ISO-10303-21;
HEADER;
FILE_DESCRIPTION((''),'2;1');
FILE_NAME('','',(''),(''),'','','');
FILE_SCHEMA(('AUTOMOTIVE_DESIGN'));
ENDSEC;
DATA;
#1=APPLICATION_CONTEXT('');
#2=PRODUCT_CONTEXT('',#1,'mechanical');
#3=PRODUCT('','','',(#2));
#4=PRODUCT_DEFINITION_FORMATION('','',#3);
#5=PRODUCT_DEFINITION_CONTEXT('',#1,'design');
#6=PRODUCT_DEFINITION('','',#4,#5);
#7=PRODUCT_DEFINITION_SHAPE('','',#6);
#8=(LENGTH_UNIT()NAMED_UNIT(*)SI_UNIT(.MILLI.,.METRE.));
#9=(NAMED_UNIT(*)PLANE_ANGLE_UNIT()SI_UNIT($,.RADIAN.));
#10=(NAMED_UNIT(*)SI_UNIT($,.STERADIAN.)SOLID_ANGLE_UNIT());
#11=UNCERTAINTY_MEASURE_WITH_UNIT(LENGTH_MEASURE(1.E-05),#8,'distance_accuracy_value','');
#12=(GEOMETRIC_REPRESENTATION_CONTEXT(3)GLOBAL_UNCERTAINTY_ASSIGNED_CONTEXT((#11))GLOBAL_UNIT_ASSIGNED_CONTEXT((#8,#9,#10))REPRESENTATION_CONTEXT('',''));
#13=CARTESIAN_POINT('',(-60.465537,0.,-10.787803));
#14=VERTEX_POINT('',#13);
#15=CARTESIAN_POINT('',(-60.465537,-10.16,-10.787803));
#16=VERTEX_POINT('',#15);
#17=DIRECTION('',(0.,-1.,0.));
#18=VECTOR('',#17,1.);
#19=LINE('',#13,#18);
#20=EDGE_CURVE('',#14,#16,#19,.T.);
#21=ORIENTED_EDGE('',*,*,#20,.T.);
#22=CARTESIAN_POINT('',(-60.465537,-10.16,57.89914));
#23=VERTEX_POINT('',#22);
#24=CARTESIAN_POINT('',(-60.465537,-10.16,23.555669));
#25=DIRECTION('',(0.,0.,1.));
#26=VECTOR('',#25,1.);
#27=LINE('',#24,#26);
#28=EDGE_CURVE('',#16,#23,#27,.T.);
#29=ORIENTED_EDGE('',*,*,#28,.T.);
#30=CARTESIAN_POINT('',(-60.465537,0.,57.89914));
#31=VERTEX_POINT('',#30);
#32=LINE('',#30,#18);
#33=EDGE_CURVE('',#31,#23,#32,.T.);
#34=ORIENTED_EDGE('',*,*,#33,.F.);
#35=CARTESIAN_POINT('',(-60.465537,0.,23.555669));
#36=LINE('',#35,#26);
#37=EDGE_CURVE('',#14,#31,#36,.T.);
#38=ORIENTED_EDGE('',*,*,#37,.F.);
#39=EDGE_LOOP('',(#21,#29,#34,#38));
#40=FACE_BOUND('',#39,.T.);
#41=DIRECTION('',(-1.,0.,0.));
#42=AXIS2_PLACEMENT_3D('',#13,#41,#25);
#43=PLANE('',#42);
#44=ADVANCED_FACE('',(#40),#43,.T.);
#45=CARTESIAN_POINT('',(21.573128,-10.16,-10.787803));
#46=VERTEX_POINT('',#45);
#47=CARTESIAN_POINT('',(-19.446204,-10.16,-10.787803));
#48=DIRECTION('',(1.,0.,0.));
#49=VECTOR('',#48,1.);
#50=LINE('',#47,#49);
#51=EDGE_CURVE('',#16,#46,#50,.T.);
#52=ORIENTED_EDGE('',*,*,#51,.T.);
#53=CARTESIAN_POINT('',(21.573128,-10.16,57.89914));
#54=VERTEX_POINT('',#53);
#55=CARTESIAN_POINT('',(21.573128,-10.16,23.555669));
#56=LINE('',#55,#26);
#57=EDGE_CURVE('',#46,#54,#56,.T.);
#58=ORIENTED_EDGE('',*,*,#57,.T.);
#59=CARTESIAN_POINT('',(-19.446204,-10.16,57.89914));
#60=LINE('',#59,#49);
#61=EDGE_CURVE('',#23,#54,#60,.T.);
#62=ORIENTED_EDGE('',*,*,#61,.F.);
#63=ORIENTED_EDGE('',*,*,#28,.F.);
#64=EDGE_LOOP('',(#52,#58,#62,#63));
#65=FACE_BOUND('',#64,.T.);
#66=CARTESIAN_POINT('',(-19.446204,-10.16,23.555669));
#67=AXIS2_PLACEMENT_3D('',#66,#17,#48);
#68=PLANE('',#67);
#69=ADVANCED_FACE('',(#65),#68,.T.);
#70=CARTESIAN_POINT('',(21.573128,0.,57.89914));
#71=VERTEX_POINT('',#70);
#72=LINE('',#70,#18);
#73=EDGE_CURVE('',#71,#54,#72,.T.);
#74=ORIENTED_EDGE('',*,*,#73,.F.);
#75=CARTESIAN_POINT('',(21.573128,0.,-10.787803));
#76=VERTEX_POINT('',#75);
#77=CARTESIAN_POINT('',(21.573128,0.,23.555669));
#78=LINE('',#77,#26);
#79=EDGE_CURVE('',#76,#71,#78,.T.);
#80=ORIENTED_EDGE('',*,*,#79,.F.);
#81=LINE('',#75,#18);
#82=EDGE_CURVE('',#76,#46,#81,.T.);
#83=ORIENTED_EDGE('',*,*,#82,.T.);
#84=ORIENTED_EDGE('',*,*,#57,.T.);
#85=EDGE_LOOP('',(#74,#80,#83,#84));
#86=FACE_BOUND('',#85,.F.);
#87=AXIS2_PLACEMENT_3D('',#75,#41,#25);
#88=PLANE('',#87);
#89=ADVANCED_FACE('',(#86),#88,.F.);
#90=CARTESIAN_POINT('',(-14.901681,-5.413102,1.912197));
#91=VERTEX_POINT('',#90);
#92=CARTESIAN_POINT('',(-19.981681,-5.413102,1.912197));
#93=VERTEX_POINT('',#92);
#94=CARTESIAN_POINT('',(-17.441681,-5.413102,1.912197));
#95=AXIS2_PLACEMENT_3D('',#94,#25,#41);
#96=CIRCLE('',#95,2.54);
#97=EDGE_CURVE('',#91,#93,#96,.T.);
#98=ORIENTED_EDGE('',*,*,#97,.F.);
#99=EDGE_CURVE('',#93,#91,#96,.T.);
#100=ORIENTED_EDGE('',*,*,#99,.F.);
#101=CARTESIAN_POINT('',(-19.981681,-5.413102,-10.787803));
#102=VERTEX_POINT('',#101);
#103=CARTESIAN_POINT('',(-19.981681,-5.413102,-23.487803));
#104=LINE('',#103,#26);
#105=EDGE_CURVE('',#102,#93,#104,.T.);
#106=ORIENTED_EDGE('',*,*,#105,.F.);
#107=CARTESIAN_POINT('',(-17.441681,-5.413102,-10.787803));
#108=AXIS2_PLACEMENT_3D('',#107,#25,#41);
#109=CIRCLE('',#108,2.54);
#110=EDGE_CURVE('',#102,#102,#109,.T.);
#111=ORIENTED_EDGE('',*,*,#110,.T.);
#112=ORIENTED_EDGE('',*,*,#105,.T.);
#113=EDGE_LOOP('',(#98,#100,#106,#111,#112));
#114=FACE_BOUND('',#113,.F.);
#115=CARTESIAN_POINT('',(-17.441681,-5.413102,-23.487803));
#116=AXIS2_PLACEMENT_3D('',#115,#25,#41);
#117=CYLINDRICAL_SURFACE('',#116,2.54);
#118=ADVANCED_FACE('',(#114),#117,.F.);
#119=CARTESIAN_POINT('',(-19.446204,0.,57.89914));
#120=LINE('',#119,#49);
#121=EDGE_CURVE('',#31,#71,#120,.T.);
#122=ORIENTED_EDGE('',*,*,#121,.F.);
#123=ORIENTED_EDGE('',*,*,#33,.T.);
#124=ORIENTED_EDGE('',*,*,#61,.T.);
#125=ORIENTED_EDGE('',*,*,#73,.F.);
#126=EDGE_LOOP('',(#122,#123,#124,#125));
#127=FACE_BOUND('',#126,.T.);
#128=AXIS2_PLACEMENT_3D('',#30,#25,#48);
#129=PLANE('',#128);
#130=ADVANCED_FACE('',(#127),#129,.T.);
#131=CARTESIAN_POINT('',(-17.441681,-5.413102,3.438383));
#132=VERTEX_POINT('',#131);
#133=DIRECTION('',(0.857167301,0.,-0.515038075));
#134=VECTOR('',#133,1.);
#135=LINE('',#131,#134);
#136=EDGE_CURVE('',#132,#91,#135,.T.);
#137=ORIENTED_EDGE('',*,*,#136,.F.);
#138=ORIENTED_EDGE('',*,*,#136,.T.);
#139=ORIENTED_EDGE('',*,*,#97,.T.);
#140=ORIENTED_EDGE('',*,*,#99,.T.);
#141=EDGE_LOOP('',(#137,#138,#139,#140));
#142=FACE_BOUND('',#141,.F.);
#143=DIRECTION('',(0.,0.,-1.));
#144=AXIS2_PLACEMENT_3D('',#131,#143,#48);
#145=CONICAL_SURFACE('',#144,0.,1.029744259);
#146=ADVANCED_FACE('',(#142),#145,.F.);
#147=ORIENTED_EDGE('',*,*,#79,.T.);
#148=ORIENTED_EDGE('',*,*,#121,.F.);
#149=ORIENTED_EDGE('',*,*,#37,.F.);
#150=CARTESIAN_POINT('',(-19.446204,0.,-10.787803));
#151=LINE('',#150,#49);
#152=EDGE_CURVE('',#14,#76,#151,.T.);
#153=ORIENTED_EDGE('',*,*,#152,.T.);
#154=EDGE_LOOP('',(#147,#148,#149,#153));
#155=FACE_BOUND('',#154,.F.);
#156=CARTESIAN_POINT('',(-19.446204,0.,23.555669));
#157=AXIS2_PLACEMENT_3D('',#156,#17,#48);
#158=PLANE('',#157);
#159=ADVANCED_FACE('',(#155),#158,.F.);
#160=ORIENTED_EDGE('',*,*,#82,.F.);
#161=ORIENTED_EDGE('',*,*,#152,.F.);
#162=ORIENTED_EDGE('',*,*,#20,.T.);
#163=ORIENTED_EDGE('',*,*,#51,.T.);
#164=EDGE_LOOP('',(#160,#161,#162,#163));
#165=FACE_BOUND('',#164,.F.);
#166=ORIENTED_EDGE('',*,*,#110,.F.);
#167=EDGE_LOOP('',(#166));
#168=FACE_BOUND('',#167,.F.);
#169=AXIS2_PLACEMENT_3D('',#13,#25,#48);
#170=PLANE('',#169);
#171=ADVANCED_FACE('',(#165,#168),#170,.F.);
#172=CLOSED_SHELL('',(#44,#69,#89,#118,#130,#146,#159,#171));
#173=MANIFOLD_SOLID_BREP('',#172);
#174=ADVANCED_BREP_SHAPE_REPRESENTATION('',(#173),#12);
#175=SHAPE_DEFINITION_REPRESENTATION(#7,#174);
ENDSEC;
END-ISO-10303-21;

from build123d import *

# Parameters (mm, degrees)
F0_W     = 82.0386651903
F0_H     = 68.6869425699
F1_DEPTH = 10.16
F3_D     = 5.08
F3_DEPTH = 12.7
F3_TIP   = 1.5261859723


with BuildPart() as f1:
    # F0 (on Front) → F1 (new body)
    with BuildSketch(Plane.XZ):
        with Locations((-19.4462044165, 23.5556685366)):
            Rectangle(F0_W, F0_H)
    extrude(amount=F1_DEPTH)

    # F3
    with Locations(Plane(origin=(0, 0, -10.7878027484), x_dir=(1, 0, 0), z_dir=(0, 0, -1))):
        with Locations((-17.4416806549, 5.4131019861)):
            Hole(F3_D / 2, depth=F3_DEPTH)
            with Locations((0, 0, -(F3_DEPTH + F3_TIP / 2))):  # 118° drill point
                Cone(0, F3_D / 2, F3_TIP, mode=Mode.SUBTRACT)


solid = f1.part
